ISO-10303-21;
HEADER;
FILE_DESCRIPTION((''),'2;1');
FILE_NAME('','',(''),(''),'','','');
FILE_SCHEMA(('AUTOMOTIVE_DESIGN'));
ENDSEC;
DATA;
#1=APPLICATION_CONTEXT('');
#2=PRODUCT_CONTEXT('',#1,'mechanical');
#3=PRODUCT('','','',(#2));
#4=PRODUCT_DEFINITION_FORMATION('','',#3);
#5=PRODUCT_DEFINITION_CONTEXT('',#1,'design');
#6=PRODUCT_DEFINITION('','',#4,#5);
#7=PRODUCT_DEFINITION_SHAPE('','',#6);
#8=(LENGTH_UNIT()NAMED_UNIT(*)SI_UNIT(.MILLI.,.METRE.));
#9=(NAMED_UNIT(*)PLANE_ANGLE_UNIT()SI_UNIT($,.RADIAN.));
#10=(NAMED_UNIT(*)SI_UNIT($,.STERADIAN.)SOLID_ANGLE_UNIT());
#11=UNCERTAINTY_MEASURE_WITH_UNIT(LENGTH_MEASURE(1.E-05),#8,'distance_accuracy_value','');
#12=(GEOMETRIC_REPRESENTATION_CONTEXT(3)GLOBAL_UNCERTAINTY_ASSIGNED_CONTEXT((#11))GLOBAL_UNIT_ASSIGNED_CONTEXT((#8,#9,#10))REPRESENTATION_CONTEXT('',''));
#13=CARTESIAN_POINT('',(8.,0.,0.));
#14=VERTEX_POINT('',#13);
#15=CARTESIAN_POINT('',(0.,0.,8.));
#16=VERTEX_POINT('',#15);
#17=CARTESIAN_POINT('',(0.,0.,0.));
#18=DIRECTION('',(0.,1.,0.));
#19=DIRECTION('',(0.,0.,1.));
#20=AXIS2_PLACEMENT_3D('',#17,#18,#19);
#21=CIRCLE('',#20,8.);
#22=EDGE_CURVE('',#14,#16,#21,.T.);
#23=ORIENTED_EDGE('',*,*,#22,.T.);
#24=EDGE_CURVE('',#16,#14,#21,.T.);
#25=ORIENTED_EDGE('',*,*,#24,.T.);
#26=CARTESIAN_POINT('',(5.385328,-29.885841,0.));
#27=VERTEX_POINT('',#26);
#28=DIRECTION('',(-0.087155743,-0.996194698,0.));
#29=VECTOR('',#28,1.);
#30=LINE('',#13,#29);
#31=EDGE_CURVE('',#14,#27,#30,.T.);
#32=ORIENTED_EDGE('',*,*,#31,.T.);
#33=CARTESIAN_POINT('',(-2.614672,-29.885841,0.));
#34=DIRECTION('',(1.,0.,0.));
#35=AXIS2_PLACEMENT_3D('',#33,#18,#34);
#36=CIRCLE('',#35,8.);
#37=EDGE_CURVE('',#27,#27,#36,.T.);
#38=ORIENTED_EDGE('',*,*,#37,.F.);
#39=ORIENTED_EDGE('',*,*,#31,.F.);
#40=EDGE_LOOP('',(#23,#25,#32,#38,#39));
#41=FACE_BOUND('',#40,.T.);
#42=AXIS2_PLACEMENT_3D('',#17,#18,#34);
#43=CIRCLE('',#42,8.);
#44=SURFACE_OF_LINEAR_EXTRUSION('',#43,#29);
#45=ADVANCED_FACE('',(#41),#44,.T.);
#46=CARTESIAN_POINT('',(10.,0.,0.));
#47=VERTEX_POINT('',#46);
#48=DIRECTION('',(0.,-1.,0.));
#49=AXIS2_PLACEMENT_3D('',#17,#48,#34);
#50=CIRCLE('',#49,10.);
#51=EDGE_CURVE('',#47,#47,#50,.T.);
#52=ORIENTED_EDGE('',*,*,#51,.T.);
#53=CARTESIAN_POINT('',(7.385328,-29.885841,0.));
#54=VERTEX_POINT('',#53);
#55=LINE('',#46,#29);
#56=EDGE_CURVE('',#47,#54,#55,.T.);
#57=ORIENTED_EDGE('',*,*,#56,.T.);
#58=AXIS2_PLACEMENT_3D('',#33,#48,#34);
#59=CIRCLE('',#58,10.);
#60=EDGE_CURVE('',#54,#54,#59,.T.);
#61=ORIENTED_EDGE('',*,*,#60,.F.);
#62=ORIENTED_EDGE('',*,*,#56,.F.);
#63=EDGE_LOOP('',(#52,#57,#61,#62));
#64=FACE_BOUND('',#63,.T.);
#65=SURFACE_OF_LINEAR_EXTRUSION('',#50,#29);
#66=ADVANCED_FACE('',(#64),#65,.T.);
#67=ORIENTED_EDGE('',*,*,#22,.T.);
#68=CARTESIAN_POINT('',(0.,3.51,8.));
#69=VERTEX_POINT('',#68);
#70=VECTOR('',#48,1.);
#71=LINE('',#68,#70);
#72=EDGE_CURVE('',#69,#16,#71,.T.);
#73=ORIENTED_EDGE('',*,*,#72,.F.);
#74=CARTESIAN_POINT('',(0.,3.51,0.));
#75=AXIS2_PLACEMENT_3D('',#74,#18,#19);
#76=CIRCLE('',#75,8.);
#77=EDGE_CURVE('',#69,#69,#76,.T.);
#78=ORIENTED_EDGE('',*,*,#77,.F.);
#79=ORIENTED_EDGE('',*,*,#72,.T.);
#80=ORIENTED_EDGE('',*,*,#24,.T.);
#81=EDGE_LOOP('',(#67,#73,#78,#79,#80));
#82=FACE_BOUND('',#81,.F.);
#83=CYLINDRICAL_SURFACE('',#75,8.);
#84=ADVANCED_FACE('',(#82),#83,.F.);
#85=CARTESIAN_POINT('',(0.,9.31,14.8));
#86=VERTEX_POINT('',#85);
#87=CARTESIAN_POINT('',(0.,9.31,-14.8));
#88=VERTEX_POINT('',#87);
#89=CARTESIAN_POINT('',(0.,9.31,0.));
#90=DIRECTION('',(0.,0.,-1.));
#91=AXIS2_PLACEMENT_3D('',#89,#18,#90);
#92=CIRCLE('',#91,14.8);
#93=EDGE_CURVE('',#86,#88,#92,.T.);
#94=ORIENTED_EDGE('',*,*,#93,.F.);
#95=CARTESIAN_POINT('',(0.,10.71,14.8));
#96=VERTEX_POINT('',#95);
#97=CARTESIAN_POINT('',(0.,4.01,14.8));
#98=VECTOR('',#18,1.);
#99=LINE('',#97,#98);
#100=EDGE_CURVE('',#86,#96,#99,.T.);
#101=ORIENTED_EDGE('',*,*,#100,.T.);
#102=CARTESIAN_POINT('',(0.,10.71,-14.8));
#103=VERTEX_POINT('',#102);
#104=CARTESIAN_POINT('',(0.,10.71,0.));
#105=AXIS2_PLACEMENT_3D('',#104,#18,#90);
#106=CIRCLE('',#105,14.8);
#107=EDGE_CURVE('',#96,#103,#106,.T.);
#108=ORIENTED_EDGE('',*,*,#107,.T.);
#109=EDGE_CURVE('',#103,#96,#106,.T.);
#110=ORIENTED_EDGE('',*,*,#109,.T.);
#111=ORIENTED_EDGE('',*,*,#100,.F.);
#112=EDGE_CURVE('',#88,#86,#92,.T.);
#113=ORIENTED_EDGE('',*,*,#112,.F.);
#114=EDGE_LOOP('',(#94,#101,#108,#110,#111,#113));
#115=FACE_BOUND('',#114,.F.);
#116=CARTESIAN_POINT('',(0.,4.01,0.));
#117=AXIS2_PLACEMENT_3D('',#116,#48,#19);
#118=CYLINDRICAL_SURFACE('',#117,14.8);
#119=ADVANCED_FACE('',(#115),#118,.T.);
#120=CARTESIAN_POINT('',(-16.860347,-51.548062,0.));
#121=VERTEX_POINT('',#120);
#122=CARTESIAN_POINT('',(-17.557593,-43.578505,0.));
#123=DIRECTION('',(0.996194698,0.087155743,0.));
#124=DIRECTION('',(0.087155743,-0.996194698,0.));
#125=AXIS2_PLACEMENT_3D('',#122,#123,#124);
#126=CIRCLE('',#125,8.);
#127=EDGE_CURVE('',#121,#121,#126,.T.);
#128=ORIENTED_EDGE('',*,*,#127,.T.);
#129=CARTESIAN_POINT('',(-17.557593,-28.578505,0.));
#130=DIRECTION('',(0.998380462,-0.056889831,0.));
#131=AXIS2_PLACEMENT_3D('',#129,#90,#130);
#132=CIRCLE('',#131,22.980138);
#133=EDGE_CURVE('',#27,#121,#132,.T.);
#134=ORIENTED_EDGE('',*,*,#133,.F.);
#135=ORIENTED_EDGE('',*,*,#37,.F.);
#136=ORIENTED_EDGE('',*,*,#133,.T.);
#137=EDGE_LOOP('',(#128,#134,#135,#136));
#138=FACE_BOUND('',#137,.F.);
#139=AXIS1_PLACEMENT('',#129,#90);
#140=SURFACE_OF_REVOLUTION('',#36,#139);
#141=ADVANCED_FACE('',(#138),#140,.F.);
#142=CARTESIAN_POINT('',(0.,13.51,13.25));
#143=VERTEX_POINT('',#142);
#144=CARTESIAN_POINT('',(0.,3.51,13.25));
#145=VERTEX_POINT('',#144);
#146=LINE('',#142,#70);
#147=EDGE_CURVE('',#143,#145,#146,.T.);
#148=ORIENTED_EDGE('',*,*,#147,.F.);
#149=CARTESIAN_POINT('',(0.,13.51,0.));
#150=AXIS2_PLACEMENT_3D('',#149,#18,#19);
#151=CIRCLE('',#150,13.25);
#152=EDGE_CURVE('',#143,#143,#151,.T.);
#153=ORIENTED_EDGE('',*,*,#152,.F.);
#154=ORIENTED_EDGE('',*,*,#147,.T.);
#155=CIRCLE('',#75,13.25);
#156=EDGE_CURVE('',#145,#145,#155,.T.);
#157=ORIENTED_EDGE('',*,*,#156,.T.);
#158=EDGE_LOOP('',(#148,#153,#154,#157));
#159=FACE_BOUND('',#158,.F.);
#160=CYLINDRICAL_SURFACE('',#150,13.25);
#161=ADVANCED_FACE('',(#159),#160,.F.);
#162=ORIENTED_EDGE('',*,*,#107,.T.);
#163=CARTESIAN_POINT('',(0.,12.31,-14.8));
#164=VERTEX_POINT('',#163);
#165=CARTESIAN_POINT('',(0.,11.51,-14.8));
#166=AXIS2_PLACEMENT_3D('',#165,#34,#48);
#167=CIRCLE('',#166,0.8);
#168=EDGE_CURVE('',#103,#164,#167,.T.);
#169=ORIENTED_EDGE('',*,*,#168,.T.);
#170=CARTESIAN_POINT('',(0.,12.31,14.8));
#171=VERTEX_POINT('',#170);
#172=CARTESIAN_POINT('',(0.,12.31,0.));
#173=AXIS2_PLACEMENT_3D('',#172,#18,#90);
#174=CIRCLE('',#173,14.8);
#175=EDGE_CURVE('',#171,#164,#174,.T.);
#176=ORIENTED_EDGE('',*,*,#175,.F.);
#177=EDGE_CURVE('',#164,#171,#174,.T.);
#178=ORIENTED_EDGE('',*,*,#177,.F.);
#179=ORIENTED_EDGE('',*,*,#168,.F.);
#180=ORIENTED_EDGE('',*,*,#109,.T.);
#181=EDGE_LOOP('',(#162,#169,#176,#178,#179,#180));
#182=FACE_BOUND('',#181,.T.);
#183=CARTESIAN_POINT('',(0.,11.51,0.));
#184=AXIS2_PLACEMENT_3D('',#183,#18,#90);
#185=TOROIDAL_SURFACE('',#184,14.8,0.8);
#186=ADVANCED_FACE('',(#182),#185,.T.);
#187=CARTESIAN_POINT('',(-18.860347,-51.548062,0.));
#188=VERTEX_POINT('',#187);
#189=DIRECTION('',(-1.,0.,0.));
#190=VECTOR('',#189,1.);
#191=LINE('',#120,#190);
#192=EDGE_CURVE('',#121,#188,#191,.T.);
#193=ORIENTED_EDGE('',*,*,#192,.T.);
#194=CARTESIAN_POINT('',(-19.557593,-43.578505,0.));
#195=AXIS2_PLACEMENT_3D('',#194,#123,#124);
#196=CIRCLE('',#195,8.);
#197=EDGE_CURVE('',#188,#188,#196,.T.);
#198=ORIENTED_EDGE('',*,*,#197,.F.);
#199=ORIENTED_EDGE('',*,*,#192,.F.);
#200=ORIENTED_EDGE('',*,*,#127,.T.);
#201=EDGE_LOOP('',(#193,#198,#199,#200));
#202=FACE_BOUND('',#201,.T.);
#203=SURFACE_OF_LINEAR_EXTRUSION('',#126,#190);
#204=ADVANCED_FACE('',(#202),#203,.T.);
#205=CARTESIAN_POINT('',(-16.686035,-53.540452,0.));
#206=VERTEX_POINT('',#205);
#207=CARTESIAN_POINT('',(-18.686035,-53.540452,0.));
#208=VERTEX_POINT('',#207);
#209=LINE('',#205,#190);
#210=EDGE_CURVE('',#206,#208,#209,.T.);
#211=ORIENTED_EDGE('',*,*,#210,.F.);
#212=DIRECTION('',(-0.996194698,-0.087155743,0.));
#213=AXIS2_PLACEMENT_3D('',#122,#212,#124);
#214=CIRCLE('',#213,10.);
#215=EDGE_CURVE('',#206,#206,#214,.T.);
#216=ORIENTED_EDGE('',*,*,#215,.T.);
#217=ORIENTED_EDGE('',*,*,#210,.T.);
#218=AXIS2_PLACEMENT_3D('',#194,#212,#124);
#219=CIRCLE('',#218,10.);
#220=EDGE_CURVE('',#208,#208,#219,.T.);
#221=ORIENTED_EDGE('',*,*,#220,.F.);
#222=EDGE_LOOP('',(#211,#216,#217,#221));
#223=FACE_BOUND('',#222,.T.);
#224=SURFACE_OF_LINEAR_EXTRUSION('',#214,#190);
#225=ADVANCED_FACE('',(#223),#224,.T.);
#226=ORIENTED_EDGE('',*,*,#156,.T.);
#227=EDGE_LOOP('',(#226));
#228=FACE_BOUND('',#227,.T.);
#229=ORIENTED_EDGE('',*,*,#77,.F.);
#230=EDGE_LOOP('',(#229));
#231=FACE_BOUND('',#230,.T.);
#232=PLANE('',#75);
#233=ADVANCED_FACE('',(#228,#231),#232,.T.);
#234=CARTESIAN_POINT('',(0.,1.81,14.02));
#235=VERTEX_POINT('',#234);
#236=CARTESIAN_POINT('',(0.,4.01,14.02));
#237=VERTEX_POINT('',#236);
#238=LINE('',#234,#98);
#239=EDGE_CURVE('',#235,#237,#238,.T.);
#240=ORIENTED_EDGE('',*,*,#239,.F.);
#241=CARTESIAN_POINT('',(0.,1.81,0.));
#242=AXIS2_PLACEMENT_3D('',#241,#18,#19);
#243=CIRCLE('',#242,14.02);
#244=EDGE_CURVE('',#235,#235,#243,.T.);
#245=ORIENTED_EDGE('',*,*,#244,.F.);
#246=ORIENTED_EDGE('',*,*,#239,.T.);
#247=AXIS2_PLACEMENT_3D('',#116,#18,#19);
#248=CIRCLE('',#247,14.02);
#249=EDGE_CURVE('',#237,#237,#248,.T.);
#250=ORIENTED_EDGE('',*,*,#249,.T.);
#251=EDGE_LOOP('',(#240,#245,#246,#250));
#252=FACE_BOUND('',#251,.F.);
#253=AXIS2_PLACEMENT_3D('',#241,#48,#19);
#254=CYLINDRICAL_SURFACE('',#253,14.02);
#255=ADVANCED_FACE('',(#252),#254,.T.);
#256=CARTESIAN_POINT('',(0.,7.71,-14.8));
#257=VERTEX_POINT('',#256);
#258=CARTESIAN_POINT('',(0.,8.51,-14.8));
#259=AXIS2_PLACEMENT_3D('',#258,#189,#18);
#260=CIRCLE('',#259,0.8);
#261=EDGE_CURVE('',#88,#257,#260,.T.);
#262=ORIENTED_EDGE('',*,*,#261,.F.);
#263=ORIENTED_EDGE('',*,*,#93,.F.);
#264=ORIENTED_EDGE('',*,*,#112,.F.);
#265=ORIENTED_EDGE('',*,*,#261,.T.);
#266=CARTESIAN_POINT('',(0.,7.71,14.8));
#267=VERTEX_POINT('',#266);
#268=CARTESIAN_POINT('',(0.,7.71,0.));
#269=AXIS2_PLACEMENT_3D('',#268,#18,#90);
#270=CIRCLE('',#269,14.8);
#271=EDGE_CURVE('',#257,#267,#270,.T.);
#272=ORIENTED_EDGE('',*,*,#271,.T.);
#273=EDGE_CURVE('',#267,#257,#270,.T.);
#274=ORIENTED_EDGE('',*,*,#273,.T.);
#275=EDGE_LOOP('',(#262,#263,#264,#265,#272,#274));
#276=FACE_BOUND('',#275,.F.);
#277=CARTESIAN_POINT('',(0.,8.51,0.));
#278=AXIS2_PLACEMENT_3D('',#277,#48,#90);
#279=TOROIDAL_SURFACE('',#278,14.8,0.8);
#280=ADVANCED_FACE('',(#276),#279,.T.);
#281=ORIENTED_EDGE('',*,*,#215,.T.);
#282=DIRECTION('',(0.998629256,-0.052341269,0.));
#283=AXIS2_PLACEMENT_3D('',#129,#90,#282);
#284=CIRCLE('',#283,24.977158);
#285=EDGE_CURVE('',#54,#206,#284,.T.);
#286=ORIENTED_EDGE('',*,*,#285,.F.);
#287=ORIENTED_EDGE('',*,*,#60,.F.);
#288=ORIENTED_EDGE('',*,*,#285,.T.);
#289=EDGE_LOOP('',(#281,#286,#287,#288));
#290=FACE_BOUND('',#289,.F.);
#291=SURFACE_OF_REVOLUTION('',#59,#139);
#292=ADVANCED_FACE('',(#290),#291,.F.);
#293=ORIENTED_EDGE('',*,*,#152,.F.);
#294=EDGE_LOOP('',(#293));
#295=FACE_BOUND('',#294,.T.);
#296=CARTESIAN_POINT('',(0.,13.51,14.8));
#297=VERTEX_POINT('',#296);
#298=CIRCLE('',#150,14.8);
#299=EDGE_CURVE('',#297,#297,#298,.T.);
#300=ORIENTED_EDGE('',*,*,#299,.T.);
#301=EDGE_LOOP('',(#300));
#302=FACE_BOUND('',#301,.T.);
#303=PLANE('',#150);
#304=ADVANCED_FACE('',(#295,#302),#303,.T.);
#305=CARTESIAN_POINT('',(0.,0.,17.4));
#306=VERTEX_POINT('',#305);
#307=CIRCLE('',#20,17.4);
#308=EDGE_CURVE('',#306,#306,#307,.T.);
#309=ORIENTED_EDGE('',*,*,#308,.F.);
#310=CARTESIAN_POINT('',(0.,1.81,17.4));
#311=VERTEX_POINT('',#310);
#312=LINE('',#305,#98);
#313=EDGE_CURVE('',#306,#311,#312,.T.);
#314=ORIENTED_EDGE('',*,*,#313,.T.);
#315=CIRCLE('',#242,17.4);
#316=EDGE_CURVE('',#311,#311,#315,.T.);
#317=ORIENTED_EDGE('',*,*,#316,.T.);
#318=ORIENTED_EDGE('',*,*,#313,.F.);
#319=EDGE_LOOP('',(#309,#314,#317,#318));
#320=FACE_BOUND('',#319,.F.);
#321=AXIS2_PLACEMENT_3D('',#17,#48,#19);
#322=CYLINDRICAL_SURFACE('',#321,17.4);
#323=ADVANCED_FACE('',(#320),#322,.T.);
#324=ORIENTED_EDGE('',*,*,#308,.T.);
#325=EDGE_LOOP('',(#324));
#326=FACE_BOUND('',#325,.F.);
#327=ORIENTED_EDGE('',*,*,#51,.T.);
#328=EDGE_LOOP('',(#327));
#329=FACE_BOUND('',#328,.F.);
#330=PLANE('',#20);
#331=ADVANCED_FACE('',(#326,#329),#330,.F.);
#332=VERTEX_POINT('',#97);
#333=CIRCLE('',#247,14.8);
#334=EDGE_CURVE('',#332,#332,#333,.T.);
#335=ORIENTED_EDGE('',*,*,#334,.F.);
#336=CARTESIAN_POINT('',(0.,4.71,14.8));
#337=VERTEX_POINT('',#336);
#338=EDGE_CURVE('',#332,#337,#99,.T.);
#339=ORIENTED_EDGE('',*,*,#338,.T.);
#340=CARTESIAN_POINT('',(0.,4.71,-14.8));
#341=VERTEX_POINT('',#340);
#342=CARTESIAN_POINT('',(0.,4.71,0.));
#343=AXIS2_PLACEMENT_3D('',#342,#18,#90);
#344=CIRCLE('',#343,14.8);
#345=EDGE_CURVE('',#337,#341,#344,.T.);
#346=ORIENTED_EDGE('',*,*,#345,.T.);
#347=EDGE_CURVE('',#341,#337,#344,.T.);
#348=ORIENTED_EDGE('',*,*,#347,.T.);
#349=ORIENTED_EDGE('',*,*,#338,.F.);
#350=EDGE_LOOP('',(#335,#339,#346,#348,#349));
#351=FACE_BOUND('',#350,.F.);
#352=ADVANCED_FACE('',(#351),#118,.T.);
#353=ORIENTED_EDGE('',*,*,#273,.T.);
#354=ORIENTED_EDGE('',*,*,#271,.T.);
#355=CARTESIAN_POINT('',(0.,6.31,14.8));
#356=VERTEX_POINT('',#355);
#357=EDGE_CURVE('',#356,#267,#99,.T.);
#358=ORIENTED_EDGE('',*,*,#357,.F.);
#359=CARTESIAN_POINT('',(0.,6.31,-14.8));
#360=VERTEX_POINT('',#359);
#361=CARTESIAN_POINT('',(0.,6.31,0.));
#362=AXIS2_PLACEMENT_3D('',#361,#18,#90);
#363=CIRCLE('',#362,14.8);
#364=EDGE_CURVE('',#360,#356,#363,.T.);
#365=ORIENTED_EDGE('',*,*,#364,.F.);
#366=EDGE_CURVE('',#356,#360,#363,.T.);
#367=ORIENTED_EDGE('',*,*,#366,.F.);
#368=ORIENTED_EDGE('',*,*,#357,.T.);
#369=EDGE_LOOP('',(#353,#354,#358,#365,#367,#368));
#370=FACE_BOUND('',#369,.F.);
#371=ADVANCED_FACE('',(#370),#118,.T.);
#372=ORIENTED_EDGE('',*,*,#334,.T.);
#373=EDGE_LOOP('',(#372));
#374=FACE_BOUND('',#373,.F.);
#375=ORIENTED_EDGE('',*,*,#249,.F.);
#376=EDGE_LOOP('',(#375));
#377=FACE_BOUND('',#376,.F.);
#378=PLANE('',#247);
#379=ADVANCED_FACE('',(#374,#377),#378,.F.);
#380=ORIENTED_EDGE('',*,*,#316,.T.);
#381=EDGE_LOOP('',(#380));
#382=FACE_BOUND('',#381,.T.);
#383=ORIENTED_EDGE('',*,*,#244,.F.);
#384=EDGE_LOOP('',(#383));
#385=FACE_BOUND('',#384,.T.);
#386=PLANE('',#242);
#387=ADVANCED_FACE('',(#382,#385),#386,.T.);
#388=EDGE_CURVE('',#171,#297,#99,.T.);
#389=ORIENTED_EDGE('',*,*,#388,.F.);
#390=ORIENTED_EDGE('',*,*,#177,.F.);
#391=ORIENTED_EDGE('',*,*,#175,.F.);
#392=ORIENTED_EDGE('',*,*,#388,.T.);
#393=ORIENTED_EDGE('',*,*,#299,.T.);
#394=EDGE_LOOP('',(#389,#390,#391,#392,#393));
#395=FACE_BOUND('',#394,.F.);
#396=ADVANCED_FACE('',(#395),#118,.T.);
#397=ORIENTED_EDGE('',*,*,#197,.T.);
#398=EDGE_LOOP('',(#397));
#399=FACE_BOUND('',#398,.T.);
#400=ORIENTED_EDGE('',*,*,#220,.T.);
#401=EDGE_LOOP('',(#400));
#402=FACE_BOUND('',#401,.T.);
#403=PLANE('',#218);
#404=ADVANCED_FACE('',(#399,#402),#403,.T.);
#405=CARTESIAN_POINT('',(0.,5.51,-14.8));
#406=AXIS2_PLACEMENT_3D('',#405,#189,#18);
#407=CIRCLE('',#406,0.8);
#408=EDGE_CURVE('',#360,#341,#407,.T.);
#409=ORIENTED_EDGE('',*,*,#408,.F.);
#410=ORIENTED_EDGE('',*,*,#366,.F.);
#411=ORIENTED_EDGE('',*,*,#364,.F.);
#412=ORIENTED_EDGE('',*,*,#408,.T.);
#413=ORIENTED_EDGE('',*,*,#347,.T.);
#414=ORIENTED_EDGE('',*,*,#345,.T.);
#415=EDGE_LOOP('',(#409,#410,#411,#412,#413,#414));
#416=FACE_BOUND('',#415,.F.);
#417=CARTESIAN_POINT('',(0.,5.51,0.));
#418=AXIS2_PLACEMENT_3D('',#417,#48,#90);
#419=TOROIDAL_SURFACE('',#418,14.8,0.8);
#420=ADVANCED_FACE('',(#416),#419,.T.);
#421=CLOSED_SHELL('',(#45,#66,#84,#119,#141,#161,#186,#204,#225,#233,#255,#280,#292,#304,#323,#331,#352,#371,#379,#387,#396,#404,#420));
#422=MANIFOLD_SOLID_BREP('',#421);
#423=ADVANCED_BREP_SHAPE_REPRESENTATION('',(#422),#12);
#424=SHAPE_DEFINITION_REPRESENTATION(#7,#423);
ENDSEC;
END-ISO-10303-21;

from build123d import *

# Parameters (mm, degrees)
SKETCH1_R           = 17.4
BOSS_EXTRUDE1_DEPTH = 1.81
SKETCH2_R           = 14.02
BOSS_EXTRUDE2_DEPTH = 2.2
SKETCH5_R           = 14.8
BOSS_EXTRUDE3_DEPTH = 9.5
SKETCH6_R           = 13.25
CUT_EXTRUDE1_DEPTH  = 10
SKETCH7_R           = 8
CUT_EXTRUDE2_DEPTH  = 27.561626456
SKETCH10_R          = 10
SKETCH10_R_2        = 8


with BuildPart() as part:
    # Sketch1 → Boss-Extrude1 (new body)
    with BuildSketch(Plane(origin=(0, 0, 0), x_dir=(1, 0, 0), z_dir=(0, 1, 0))):
        with Locations(Location((0, 0, 0), (0, 0, 270))):
            Circle(SKETCH1_R)
    extrude(amount=BOSS_EXTRUDE1_DEPTH)

    # Sketch2 → Boss-Extrude2 (add)
    with BuildSketch(Plane(origin=(0, 1.81, 0), x_dir=(1, 0, 0), z_dir=(0, 1, 0))):
        with Locations(Location((0, 0, 0), (0, 0, 270))):
            Circle(SKETCH2_R)
    extrude(amount=BOSS_EXTRUDE2_DEPTH)

    # Sketch5 → Boss-Extrude3 (add)
    with BuildSketch(Plane(origin=(0, 4.01, 0), x_dir=(1, 0, 0), z_dir=(0, 1, 0))):
        with Locations(Location((0, 0, 0), (0, 0, 270))):
            Circle(SKETCH5_R)
    extrude(amount=BOSS_EXTRUDE3_DEPTH)

    # Sketch6 → Cut-Extrude1 (cut)
    with BuildSketch(Plane(origin=(0, 13.51, 0), x_dir=(1, 0, 0), z_dir=(0, 1, 0))):
        with Locations(Location((0, 0, 0), (0, 0, 270))):
            Circle(SKETCH6_R)
    extrude(amount=-CUT_EXTRUDE1_DEPTH, mode=Mode.SUBTRACT)

    # Sketch7 → Cut-Extrude2 (cut, through all)
    with BuildSketch(Plane(origin=(0, 3.51, 0), x_dir=(1, 0, 0), z_dir=(0, 1, 0))):
        with Locations(Location((0, 0, 0), (0, 0, 270))):
            Circle(SKETCH7_R)
    extrude(amount=-CUT_EXTRUDE2_DEPTH, mode=Mode.SUBTRACT)

    # Sketch8 → Revolve1 (revolve)
    with BuildSketch(Plane(origin=(0, 0, 0), x_dir=(0, 0, -1), z_dir=(1, 0, 0)), mode=Mode.PRIVATE) as revolve1_sk:
        with BuildLine():
            Line((-14.8, 12.31), (-14.8, 10.71))
            ThreePointArc((-14.8, 10.71), (-15.6, 11.51), (-14.8, 12.31))
        make_face()
        with BuildLine():
            Line((-14.8, 7.71), (-14.8, 9.31))
            ThreePointArc((-14.8, 9.31), (-15.6, 8.51), (-14.8, 7.71))
        make_face()
        with BuildLine():
            Line((-14.8, 4.71), (-14.8, 6.31))
            ThreePointArc((-14.8, 6.31), (-15.6, 5.51), (-14.8, 4.71))
        make_face()
    revolve(revolve1_sk.sketch.rotate(Axis((0, 3.51, 0), (0, 1, 0)), 180), axis=Axis((0, 3.51, 0), (0, 1, 0)))

    # Sweep1: sweep along a path in Sketch9
    with BuildLine(Plane.XY) as sweep1_path:
        Line((0, 0), (-2.614672282, -29.885840943))
        ThreePointArc((-2.614672282, -29.885840943), (-7.42373964, -39.637664854), (-17.557592754, -43.578504802))
        Line((-17.557592754, -43.578504802), (-19.557592754, -43.578504802))
    # Sketch10 → Sweep1 (sweep)
    with BuildSketch(Plane.XZ):
        Circle(SKETCH10_R)
        Circle(SKETCH10_R_2, mode=Mode.SUBTRACT)
    sweep(path=sweep1_path.line)


solid = part.part
